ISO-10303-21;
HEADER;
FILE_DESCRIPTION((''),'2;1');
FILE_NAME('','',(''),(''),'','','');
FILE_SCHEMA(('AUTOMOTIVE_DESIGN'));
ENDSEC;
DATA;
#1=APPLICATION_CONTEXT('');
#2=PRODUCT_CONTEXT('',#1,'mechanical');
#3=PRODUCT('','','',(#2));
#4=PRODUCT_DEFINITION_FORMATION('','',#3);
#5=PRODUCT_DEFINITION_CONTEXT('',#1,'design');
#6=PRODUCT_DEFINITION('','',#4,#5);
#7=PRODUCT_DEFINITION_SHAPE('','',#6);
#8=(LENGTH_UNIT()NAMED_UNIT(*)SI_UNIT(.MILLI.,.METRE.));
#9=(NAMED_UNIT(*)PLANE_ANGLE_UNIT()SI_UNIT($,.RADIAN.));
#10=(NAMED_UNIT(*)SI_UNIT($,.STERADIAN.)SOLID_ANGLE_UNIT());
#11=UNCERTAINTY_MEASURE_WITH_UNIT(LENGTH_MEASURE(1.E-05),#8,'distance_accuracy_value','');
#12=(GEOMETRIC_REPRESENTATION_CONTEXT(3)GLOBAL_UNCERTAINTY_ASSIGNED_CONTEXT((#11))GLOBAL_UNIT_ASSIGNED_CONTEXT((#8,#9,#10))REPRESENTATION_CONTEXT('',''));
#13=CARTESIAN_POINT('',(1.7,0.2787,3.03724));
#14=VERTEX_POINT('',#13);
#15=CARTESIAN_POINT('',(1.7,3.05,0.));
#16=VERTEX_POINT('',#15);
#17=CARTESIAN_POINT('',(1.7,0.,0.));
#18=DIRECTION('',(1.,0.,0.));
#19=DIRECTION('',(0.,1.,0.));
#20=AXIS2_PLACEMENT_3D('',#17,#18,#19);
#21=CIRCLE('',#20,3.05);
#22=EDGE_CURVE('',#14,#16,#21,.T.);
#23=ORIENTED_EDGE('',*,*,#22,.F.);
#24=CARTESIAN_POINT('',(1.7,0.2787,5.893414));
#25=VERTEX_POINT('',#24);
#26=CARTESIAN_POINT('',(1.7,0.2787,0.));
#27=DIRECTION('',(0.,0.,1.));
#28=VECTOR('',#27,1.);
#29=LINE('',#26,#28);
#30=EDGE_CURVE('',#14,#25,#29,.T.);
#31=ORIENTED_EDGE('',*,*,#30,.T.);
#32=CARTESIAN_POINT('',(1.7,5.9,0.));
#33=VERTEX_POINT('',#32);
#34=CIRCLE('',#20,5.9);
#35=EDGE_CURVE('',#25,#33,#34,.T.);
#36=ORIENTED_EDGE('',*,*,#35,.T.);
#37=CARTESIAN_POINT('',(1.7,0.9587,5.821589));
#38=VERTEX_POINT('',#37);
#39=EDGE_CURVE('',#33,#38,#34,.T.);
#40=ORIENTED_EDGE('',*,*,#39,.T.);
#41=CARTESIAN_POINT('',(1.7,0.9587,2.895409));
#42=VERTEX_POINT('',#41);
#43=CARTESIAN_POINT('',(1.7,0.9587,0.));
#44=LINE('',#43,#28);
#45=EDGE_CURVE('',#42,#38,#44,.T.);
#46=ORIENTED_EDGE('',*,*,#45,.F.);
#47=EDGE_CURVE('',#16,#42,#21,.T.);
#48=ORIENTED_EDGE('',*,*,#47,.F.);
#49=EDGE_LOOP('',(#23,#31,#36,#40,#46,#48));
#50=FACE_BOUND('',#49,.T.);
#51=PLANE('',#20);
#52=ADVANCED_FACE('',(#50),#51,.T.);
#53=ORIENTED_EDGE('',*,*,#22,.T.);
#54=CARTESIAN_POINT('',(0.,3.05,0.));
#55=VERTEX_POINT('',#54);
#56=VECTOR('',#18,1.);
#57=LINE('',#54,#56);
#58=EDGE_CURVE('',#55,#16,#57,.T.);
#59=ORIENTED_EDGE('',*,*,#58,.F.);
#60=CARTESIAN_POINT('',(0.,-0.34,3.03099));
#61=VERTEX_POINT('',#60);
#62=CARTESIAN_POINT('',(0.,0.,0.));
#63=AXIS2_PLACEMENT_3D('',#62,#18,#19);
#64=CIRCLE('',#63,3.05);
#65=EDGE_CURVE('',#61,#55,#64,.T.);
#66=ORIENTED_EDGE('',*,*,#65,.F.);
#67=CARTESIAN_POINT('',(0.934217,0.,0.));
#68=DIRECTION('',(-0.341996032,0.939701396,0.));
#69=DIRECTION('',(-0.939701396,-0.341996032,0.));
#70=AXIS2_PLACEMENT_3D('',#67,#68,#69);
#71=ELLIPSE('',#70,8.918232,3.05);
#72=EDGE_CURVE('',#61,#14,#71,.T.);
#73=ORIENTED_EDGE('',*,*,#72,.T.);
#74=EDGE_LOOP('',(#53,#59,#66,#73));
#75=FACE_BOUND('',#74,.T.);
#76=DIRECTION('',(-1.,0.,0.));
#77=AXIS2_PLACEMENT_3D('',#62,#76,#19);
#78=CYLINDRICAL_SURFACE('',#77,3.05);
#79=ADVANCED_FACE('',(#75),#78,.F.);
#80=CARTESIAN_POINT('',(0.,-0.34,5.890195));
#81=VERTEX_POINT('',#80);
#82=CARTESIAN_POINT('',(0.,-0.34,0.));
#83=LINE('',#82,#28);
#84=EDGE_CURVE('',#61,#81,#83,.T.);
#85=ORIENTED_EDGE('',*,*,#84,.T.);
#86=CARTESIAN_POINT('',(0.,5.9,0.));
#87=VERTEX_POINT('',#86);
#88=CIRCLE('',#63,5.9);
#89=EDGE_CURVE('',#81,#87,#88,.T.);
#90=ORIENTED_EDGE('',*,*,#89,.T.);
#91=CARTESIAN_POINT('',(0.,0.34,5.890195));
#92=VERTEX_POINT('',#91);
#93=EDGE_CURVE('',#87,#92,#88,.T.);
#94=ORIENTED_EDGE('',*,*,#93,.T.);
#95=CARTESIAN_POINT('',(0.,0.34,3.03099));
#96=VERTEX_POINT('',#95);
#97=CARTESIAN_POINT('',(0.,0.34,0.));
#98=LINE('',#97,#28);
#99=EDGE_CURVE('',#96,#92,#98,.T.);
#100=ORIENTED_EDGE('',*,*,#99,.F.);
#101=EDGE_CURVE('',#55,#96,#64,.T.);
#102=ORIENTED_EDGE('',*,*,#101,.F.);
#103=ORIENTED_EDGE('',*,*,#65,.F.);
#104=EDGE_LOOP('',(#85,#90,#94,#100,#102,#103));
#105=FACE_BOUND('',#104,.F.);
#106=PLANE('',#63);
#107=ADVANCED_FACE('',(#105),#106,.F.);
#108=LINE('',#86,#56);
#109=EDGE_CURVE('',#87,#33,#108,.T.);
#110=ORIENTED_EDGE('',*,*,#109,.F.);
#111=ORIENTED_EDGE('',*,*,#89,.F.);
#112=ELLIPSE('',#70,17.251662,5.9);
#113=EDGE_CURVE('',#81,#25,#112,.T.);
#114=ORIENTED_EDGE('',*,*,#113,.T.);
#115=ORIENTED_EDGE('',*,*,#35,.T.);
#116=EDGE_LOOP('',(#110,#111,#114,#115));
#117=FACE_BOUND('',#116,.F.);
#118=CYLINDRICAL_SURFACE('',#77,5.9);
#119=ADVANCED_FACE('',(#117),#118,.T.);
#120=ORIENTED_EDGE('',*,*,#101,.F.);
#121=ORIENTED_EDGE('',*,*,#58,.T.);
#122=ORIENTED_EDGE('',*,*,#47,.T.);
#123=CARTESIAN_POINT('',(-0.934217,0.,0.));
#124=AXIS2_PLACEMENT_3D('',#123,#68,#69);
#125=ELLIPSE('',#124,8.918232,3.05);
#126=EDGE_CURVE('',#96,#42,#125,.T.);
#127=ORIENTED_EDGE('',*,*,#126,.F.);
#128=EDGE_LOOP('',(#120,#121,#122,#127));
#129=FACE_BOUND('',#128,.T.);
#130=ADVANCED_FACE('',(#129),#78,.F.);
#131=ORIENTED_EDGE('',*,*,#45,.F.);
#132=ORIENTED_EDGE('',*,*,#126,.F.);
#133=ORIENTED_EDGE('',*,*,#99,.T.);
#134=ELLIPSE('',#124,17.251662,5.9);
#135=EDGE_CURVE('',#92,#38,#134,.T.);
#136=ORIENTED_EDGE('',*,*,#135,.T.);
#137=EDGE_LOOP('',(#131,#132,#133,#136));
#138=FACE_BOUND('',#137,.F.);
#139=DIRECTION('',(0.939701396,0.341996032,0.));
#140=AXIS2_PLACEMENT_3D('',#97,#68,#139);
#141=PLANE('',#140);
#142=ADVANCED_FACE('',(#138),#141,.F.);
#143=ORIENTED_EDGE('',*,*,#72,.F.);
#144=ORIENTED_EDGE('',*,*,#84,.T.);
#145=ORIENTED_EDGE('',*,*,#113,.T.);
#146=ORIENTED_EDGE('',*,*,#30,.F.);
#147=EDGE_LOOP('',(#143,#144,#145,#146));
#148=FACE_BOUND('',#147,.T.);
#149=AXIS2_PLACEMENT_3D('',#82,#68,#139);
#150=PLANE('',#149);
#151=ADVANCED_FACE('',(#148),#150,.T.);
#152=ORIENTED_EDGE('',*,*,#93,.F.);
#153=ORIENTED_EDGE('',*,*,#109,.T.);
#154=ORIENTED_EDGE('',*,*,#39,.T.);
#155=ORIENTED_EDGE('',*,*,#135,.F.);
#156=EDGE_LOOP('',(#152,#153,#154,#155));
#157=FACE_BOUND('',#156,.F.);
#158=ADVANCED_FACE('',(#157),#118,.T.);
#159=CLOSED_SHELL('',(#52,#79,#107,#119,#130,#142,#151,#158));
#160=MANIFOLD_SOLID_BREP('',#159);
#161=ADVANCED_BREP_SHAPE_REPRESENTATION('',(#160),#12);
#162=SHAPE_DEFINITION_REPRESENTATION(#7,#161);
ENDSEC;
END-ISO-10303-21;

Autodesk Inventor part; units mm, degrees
ref_plane "YZ Plane" through (0, 0, 0) normal (1, 0, 0) x (0, 1, 0)
ref_plane "XZ Plane" through (0, 0, 0) normal (0, 1, 0) x (-1, 0, 0)
sketch "Szkic1" plane through (0, 0, 0) normal (1, 0, 0) x (0, 1, 0)
  circle A0 centre (0, 0) radius 5.9
  circle A1 centre (0, 0) radius 3.05
  dimension "d0" = 6.1
  dimension "d1" = 11.8
extrude "Bryła" add sketch "Szkic1" along normal blind 1.7
sketch "Szkic2" plane through (0, 0, 0) normal (0, 0, 1) x (1, 0, 0)
  line L0 (0, -3.05) -> (0, 3.05) projected
  line L1 (1.7, 5.9) -> (1.7, -5.9) projected
  line L2 (-1.2, 0) -> (7.2, 0) projected
  line L3 (0, -0.34) -> (1.7, 0.2787)
  line L4 (0, 0.34) -> (1.7, 0.9587)
  dimension "d4" = 0.34
  dimension "d5" = 0.34
  dimension "d6" = 70
extrude "Wycięcie" cut sketch "Szkic2" along normal up to next contours L0 L2 L3 | L0 L4 L1 L3 L2
ref_plane "Work Plane1" through (0, 0, 0) normal (0, -1, 0) x (1, 0, 0)
equation "\"d0\" = SD1"
equation "\"d1\" = SD2"
equation "\"d2\" = SD"
equation "\"d4\" = 0.2 * SD"
equation "\"d5\" = 0.2 * SD"
equation "\"d6\" = FAWI"
equation "\"d7\" = SD"
equation "\"SD1\" = 6.1"
equation "\"SD2\" = 11.8"
equation "\"SD\" = 1.7"
equation "\"FAWI\" = 70deg"
equation "\"NND\" = 6"
properties part number "AS 1968 - 1976 - 6" material "Stal, miękka"
